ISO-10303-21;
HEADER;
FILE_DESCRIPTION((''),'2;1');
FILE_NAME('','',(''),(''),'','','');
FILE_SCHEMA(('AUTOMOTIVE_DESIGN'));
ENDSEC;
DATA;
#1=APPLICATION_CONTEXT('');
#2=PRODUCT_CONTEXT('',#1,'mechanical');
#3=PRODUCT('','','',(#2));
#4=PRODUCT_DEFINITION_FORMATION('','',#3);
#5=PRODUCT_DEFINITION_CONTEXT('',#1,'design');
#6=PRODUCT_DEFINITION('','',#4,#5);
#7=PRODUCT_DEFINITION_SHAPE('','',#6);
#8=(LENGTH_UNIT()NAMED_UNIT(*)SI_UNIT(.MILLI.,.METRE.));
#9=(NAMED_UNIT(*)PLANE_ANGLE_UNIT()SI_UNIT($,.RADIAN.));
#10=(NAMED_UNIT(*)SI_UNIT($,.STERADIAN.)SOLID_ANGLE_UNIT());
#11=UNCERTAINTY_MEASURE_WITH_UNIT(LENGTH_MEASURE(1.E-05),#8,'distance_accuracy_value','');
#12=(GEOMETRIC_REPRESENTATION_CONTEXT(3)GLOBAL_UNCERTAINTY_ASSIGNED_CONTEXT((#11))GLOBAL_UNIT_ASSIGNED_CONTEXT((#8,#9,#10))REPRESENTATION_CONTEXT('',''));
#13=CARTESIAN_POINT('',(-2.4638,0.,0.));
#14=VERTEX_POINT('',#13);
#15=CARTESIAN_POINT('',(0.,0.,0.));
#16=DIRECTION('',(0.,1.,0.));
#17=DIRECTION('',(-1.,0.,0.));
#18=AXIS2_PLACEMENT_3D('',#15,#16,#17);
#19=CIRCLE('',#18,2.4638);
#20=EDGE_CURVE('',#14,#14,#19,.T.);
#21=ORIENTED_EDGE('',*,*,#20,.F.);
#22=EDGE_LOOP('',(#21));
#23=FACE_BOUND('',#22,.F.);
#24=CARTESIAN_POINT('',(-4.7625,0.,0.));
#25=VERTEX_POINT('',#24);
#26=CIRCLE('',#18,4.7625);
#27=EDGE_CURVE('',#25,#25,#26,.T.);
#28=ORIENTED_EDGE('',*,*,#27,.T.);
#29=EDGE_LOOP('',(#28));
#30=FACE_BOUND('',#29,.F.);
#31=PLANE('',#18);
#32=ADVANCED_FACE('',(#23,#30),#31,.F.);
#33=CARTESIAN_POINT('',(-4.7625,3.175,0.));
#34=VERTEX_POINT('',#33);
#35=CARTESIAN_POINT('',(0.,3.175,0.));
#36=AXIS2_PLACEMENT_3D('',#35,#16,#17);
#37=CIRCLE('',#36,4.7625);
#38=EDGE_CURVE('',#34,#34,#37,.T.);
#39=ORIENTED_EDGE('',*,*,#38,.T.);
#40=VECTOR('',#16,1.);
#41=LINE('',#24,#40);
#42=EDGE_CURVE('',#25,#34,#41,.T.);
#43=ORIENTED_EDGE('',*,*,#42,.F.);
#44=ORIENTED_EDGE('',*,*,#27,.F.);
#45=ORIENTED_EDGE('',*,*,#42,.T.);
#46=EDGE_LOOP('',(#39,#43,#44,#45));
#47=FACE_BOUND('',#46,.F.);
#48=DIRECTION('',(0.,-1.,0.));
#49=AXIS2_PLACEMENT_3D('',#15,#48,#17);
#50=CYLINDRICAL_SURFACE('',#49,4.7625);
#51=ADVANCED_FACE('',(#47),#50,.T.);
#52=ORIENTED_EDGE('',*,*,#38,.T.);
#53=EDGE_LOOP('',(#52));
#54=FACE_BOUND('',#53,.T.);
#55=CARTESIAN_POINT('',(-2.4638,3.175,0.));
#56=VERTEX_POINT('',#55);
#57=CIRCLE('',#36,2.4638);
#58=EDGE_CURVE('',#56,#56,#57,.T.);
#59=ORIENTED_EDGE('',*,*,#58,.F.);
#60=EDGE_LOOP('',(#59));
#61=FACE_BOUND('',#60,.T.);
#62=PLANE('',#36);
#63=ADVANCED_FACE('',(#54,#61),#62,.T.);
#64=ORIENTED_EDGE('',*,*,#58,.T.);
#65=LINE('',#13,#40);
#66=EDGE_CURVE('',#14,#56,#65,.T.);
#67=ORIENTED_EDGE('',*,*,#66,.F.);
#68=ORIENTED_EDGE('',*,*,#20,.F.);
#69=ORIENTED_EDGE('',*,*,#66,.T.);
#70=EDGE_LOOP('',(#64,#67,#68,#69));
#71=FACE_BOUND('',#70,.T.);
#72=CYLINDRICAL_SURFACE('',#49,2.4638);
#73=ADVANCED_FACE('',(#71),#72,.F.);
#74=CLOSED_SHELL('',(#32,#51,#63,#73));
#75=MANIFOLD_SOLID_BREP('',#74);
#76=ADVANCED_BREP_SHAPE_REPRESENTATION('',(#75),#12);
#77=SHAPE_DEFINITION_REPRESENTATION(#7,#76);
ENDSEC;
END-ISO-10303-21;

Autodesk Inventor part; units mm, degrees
ref_plane "YZ Plane" through (0, 0, 0) normal (1, 0, 0) x (0, 1, 0)
ref_plane "XZ Plane" through (0, 0, 0) normal (0, 1, 0) x (-1, 0, 0)
ref_plane "XY Plane" through (0, 0, 0) normal (0, 0, 1) x (1, 0, 0)
sketch "Sketch1" plane through (0, 0, 0) normal (0, 1, 0) x (-1, 0, 0)
  circle A0 centre (0, 0) radius 2.4638
  circle A1 centre (0, 0) radius 4.7625
  dimension "d0" = 4.9276
  dimension "d1" = 9.525
extrude "Extrusion1" add sketch "Sketch1" along normal blind 3.175
properties part number "Nylon Spacer .375 OD-.125" material "VEX Nylon"
